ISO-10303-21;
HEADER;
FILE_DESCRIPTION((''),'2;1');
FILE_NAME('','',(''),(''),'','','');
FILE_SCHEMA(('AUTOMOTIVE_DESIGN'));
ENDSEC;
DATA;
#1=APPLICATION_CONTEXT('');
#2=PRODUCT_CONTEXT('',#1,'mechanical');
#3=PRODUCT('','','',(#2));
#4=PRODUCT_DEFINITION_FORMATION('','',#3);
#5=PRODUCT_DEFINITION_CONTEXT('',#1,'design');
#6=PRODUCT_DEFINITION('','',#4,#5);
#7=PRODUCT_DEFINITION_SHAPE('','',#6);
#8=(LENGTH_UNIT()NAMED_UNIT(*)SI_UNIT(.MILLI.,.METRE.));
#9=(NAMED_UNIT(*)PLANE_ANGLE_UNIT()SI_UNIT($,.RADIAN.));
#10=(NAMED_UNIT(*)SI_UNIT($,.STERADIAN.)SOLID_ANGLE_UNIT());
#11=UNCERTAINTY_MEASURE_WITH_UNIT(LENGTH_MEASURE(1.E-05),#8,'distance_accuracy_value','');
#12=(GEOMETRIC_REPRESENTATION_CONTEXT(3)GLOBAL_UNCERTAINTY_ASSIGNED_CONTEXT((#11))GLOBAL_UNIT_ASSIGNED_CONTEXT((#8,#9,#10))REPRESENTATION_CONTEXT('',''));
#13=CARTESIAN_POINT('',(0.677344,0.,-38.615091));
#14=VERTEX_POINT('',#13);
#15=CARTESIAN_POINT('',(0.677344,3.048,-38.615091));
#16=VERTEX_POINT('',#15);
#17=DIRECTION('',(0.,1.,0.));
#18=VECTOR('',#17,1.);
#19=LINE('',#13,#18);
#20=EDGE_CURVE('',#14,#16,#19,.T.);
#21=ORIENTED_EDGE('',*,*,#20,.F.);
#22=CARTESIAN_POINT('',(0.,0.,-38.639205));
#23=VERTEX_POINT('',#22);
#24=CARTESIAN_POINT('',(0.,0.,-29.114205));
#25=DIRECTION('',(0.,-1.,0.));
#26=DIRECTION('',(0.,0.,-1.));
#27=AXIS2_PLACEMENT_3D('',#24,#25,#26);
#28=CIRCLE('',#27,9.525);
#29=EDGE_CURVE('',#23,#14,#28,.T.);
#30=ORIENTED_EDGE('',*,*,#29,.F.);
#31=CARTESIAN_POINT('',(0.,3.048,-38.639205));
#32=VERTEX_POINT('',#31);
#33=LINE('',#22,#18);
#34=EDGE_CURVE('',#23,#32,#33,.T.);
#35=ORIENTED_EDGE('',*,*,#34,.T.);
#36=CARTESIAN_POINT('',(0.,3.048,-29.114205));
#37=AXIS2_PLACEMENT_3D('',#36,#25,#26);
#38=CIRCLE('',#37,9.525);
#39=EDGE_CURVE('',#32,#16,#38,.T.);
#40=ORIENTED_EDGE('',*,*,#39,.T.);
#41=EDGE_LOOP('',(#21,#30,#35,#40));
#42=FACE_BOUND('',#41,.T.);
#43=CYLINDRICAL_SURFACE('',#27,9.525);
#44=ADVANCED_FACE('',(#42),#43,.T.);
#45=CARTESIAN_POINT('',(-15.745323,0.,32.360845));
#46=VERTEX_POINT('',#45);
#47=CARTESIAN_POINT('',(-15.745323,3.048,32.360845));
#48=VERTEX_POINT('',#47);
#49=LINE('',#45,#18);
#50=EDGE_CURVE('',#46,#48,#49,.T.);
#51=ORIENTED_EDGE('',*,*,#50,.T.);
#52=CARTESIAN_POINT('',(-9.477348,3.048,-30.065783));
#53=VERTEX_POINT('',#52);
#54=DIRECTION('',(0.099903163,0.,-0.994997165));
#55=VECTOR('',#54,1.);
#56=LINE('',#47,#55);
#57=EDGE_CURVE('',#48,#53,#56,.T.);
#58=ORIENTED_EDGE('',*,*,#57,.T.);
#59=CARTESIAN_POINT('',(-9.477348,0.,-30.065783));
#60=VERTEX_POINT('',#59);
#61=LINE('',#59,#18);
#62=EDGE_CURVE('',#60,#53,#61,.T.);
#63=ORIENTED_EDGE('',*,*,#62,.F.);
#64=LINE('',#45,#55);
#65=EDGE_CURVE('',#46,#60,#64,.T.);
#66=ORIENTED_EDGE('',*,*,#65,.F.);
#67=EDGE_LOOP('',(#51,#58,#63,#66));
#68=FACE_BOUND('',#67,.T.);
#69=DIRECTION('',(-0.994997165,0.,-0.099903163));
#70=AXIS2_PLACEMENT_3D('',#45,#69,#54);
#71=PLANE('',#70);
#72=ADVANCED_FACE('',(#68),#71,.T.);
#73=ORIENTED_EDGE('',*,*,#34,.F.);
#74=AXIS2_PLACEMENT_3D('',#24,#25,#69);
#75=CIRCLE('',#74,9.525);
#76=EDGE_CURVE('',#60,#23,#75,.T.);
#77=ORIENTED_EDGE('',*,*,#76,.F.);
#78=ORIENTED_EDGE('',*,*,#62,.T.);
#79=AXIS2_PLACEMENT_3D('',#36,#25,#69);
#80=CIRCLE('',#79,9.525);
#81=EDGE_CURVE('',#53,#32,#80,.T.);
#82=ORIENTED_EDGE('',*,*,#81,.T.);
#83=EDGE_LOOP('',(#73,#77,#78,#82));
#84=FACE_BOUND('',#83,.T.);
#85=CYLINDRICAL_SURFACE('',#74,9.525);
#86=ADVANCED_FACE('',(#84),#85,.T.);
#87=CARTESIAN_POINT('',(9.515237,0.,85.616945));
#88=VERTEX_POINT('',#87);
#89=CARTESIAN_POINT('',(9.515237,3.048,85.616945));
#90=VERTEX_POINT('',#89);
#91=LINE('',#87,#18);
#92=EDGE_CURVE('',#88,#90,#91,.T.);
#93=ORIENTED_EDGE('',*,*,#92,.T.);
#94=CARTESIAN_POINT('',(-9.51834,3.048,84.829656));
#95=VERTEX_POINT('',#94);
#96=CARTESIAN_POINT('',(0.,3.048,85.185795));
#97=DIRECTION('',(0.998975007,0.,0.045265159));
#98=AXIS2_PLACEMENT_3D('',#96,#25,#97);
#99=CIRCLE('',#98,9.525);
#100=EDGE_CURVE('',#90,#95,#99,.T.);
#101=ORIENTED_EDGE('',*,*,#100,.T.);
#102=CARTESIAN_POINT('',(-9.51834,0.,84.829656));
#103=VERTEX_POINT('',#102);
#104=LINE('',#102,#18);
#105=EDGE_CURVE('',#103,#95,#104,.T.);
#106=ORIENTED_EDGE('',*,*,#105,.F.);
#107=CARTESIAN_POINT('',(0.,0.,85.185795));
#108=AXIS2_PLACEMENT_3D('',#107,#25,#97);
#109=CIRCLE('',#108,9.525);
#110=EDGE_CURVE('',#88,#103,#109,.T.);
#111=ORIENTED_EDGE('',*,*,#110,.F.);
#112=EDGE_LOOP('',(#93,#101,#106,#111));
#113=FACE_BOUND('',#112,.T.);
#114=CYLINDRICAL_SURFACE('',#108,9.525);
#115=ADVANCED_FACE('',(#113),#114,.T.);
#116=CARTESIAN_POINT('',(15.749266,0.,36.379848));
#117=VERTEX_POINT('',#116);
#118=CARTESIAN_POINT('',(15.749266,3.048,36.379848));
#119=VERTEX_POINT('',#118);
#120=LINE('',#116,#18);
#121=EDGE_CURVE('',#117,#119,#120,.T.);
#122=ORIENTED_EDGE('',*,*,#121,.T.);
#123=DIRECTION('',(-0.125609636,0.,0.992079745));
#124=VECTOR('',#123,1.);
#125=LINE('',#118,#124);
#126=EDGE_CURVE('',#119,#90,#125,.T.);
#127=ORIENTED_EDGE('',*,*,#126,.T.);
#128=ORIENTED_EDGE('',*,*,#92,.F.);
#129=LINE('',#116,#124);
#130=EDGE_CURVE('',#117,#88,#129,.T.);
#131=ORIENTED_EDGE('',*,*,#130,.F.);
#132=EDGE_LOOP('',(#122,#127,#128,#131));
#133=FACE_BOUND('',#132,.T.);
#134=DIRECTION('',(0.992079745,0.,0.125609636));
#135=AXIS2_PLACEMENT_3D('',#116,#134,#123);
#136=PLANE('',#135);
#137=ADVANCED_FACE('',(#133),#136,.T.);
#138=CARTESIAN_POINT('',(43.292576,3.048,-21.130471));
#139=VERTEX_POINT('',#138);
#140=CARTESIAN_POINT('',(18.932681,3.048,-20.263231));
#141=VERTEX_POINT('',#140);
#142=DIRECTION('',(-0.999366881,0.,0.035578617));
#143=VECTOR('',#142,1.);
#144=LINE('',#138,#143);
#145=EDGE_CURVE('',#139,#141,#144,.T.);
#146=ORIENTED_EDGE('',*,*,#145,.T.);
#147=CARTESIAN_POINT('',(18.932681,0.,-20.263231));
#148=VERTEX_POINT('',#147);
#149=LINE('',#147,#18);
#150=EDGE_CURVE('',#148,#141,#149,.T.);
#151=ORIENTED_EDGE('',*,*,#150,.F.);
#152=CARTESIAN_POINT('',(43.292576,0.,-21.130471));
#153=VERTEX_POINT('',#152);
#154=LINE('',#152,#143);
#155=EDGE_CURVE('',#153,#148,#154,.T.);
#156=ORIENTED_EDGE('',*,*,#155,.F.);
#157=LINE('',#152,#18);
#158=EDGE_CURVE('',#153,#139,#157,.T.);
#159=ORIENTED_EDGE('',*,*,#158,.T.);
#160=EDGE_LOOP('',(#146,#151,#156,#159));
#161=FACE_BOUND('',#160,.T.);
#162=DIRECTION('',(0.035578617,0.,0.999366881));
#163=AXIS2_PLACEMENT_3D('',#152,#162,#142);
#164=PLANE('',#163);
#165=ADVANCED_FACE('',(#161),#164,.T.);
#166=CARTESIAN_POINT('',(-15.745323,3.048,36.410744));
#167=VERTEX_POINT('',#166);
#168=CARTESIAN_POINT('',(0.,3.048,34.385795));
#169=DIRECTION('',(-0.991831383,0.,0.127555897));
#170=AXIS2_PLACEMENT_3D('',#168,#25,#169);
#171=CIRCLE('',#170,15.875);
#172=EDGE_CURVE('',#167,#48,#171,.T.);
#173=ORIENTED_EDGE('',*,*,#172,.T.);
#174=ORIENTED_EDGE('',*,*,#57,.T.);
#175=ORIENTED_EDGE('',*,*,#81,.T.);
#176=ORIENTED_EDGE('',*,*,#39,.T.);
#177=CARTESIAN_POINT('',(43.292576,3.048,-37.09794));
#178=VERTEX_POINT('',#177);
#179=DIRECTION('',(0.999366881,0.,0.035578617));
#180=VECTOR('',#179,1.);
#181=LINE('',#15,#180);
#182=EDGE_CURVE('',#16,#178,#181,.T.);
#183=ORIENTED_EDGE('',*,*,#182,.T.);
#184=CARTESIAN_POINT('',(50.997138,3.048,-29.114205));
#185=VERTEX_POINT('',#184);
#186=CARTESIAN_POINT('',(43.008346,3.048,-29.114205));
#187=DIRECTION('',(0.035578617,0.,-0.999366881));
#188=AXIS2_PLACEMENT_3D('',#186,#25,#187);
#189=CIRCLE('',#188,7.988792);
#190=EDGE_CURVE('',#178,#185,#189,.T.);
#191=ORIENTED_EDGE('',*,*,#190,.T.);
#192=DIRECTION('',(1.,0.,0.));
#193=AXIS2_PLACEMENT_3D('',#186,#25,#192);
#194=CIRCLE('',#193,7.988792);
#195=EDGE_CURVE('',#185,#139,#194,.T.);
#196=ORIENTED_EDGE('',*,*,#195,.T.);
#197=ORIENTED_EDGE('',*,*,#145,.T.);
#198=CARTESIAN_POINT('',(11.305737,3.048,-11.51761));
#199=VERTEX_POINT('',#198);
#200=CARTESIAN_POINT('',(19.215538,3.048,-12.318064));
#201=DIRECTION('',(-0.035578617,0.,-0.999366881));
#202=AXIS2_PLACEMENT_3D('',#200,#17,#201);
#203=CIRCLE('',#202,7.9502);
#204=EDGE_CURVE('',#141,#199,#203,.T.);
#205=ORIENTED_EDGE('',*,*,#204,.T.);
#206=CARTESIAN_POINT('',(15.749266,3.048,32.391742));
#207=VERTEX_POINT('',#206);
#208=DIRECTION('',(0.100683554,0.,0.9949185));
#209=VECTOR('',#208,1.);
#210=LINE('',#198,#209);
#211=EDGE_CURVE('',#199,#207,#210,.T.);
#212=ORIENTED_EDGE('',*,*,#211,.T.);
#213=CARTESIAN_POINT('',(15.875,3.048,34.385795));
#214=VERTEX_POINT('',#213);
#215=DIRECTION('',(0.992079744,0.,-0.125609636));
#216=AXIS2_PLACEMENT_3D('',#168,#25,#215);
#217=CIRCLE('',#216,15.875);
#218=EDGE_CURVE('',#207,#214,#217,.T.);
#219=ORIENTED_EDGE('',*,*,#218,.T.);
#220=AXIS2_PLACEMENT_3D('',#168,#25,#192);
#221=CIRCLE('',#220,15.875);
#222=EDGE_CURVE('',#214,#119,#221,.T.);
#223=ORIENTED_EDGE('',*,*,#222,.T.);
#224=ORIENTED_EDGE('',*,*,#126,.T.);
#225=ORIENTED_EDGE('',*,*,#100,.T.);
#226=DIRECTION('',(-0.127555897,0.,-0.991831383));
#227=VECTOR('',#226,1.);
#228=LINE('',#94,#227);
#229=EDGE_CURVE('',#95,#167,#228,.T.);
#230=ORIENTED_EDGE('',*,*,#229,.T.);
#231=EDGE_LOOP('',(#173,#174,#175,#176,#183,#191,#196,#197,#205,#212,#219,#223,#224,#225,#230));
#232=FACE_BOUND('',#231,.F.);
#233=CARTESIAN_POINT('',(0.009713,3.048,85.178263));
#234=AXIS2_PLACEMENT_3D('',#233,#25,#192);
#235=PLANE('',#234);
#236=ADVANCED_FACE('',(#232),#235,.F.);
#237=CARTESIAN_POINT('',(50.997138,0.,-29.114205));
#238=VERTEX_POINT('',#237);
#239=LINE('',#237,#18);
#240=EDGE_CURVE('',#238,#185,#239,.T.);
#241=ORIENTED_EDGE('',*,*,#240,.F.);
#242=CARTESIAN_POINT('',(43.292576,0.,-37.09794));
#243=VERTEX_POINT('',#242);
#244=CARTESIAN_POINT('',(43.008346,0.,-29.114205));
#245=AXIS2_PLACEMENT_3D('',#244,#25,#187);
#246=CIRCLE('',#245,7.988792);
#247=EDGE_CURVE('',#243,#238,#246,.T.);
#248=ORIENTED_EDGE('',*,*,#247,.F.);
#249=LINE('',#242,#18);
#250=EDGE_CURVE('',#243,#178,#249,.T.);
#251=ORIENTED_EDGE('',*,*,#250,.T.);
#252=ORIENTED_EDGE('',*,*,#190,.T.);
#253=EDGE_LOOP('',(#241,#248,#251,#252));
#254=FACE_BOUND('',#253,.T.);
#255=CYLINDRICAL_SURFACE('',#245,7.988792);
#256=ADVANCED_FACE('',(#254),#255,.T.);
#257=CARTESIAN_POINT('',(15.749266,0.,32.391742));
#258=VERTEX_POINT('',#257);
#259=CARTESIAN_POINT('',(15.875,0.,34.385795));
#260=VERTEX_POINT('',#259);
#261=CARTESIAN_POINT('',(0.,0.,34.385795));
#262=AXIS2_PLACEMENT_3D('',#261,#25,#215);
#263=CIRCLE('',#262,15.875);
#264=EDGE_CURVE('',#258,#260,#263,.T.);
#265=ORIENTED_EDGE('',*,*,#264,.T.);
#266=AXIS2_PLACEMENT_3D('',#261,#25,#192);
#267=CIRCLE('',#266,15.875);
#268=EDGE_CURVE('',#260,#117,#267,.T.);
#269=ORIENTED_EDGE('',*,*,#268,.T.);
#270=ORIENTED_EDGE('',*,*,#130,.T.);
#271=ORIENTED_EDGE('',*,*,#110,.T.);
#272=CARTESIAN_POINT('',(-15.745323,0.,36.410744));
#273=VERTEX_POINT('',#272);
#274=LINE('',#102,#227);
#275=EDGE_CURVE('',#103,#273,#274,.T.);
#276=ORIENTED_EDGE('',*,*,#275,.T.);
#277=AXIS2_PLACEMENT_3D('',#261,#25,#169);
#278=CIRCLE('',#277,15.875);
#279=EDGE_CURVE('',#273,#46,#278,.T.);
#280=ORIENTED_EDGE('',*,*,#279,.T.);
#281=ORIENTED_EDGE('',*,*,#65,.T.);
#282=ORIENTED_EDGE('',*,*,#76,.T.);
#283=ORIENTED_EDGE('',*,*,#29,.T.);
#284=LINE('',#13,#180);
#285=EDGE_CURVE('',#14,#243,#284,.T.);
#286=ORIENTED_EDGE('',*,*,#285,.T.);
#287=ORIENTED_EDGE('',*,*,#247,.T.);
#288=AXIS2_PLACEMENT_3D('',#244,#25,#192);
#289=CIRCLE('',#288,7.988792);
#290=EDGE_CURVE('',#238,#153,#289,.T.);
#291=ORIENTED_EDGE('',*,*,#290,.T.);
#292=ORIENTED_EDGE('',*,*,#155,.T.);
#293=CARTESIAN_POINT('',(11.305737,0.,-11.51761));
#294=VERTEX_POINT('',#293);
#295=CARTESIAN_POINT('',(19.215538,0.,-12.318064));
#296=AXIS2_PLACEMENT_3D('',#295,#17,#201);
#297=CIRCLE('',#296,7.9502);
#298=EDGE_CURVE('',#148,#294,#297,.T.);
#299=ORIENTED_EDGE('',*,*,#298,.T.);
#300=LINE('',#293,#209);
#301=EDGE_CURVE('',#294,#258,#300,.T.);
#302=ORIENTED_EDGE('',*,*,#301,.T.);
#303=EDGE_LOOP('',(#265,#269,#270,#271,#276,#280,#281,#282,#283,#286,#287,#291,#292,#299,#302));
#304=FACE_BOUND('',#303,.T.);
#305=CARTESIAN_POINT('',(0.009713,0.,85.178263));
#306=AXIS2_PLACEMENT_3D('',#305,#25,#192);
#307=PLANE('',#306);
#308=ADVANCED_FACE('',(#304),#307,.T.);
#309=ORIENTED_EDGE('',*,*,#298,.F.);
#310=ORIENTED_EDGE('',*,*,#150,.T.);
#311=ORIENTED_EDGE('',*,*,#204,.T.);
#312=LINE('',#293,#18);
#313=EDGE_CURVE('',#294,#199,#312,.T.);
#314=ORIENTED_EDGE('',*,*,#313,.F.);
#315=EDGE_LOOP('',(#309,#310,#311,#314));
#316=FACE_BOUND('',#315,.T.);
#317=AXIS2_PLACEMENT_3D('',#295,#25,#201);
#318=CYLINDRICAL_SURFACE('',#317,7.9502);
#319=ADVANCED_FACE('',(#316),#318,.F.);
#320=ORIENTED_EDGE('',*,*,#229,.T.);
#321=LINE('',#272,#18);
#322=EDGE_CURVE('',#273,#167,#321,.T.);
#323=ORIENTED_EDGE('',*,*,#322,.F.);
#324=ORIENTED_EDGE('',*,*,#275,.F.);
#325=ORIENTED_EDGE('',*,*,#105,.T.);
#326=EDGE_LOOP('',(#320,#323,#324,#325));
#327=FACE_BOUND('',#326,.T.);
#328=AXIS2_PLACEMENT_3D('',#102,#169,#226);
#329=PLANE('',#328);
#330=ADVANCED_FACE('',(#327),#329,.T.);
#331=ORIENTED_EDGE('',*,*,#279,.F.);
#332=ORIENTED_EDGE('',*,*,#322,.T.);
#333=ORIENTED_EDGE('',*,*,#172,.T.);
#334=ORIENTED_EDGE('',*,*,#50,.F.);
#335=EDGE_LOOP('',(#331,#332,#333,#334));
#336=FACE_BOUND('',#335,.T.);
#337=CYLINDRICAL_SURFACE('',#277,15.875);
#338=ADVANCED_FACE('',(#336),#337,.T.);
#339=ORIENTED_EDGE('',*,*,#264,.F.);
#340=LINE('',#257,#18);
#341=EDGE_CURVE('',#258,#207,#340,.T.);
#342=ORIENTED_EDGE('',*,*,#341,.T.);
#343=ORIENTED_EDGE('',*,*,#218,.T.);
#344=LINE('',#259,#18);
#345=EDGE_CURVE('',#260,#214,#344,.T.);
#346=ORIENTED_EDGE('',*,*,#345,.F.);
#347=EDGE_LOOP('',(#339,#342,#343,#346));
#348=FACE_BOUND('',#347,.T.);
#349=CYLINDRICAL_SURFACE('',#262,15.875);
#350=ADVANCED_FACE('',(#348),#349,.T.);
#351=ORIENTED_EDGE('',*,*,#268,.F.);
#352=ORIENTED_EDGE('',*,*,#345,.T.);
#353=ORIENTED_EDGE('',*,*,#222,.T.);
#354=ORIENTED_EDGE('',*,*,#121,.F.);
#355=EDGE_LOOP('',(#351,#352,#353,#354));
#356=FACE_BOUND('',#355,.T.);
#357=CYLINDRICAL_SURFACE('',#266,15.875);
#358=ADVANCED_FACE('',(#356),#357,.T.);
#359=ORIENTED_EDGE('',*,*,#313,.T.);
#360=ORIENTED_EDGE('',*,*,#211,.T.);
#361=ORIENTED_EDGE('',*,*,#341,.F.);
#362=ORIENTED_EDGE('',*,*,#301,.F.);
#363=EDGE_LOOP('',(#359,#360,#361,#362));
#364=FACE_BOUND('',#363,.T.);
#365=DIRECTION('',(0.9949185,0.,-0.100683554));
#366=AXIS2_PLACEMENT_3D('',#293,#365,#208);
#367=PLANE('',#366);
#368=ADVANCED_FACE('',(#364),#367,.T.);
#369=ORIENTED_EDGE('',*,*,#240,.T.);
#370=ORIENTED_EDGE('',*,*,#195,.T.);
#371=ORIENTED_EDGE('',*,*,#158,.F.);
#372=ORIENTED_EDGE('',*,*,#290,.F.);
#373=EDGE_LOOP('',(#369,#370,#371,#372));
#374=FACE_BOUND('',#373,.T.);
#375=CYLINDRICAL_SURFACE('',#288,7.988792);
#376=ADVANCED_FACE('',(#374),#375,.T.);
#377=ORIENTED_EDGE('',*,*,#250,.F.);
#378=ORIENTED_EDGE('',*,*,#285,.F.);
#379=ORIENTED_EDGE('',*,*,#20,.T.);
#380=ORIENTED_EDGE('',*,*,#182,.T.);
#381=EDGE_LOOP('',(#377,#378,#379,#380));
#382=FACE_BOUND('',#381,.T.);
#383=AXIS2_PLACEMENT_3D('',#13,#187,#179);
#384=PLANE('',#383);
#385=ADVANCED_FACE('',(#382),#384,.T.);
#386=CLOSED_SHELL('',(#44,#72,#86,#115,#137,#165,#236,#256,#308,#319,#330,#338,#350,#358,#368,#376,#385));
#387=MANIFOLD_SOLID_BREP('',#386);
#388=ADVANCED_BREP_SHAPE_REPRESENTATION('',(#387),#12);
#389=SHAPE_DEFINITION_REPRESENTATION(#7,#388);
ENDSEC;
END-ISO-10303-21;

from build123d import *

# Parameters (mm, degrees)
F0_R     = 3.4358661268
F0_R_2   = 3.175
F1_DEPTH = 3.048


with BuildPart() as f1:
    # F0 (on Front) → F1 (new body)
    with BuildSketch(Plane.XZ):
        with BuildLine():
            ThreePointArc((-9.5183396769, 84.8296558798), (0.1781005018, 75.6624598361), (9.525, 85.1857946098))
            ThreePointArc((9.525, 85.1857946098), (9.5225589236, 85.4014251892), (9.5152369456, 85.6169452446))
            ThreePointArc((9.5152369456, 85.6169452446), (-0.3936477394, 94.7026568268), (-9.5183396769, 84.8296558798))
        make_face()
        with Locations((0, 85.1857946098)):
            Circle(F0_R, mode=Mode.SUBTRACT)
        with BuildLine():
            ThreePointArc((50.9971381625, -29.1142053902), (48.756887413, -23.5666769907), (43.2925762854, -21.1304711977))
            ThreePointArc((43.2925762854, -21.1304711977), (35.0195540586, -29.1142053902), (43.2925762854, -37.0979395828))
            ThreePointArc((43.2925762854, -37.0979395828), (48.756887413, -34.6617337898), (50.9971381625, -29.1142053902))
        make_face()
        with Locations((43.0083461106, -29.1142053902)):
            Circle(F0_R_2, mode=Mode.SUBTRACT)
        with BuildLine():
            ThreePointArc((9.5152369456, 85.6169452446), (9.5225589236, 85.4014251892), (9.525, 85.1857946098))
            ThreePointArc((9.525, 85.1857946098), (0.1781005018, 75.6624598361), (-9.5183396769, 84.8296558798))
            Line((-9.5183396769, 84.8296558798), (-15.7453232111, 36.4107444804))
            ThreePointArc((-15.7453232111, 36.4107444804), (0.0155737272, 50.2607869707), (15.7492659439, 36.3798475748))
            Line((15.7492659439, 36.3798475748), (9.5152369456, 85.6169452446))
        make_face()
        with Locations((-4.955154378, 70.9109946098)):
            Circle(F0_R_2, mode=Mode.SUBTRACT)
        with BuildLine():
            ThreePointArc((9.525, -29.1142053902), (-0.4763850058, -19.6011258506), (-9.477347995, -30.0657830179))
            ThreePointArc((-9.477347995, -30.0657830179), (-6.3899079843, -36.1778235107), (0, -38.6392053902))
            Line((0, -38.6392053902), (0.6773435479, -38.6150911762))
            ThreePointArc((0.6773435479, -38.6150911762), (6.9705567315, -35.6055044785), (9.525, -29.1142053902))
        make_face()
        with Locations((0, -29.1142053902)):
            Circle(F0_R_2, mode=Mode.SUBTRACT)
        with BuildLine():
            ThreePointArc((15.7492659439, 32.3917416448), (0.0155737272, 18.5108022489), (-15.7453232111, 32.3608447391))
            Line((-15.7453232111, 32.3608447391), (-9.477347995, -30.0657830179))
            ThreePointArc((-9.477347995, -30.0657830179), (-0.4763850058, -19.6011258506), (9.525, -29.1142053902))
            ThreePointArc((9.525, -29.1142053902), (6.9705567315, -35.6055044785), (0.6773435479, -38.6150911762))
            Line((0.6773435479, -38.6150911762), (43.2925762854, -37.0979395828))
            ThreePointArc((43.2925762854, -37.0979395828), (35.0195540586, -29.1142053902), (43.2925762854, -21.1304711977))
            Line((43.2925762854, -21.1304711977), (18.9326805356, -20.2632307233))
            ThreePointArc((18.9326805356, -20.2632307233), (13.2237613326, -17.5434154773), (11.3057365986, -11.5176097586))
            Line((11.3057365986, -11.5176097586), (15.7492659439, 32.3917416448))
        make_face()
        with BuildLine():
            ThreePointArc((15.875, 34.3857946098), (15.843535304, 35.3848011513), (15.7492659439, 36.3798475748))
            ThreePointArc((15.7492659439, 36.3798475748), (0.0155737272, 50.2607869707), (-15.7453232111, 36.4107444804))
            ThreePointArc((-15.7453232111, 36.4107444804), (-15.875, 34.3857946098), (-15.7453232111, 32.3608447391))
            ThreePointArc((-15.7453232111, 32.3608447391), (0.0155737272, 18.5108022489), (15.7492659439, 32.3917416448))
            ThreePointArc((15.7492659439, 32.3917416448), (15.843535304, 33.3867880682), (15.875, 34.3857946098))
        make_face()
        with Locations((0, 34.3857946098)):
            Circle(F0_R_2, mode=Mode.SUBTRACT)
        with Locations((-4.955154378, 70.9109946098)):
            Circle(F0_R_2)
        with Locations((0, -29.1142053902)):
            Circle(F0_R_2)
        with Locations((43.0083461106, -29.1142053902)):
            Circle(F0_R_2)
        with BuildLine():
            Line((0.6773435479, -38.6150911762), (0, -38.6392053902))
            ThreePointArc((0, -38.6392053902), (0.3388863295, -38.6331749277), (0.6773435479, -38.6150911762))
        make_face()
        with Locations((0, 85.1857946098)):
            Circle(F0_R)
        with Locations((0, 34.3857946098)):
            Circle(F0_R_2)
    extrude(amount=-F1_DEPTH)


solid = f1.part
